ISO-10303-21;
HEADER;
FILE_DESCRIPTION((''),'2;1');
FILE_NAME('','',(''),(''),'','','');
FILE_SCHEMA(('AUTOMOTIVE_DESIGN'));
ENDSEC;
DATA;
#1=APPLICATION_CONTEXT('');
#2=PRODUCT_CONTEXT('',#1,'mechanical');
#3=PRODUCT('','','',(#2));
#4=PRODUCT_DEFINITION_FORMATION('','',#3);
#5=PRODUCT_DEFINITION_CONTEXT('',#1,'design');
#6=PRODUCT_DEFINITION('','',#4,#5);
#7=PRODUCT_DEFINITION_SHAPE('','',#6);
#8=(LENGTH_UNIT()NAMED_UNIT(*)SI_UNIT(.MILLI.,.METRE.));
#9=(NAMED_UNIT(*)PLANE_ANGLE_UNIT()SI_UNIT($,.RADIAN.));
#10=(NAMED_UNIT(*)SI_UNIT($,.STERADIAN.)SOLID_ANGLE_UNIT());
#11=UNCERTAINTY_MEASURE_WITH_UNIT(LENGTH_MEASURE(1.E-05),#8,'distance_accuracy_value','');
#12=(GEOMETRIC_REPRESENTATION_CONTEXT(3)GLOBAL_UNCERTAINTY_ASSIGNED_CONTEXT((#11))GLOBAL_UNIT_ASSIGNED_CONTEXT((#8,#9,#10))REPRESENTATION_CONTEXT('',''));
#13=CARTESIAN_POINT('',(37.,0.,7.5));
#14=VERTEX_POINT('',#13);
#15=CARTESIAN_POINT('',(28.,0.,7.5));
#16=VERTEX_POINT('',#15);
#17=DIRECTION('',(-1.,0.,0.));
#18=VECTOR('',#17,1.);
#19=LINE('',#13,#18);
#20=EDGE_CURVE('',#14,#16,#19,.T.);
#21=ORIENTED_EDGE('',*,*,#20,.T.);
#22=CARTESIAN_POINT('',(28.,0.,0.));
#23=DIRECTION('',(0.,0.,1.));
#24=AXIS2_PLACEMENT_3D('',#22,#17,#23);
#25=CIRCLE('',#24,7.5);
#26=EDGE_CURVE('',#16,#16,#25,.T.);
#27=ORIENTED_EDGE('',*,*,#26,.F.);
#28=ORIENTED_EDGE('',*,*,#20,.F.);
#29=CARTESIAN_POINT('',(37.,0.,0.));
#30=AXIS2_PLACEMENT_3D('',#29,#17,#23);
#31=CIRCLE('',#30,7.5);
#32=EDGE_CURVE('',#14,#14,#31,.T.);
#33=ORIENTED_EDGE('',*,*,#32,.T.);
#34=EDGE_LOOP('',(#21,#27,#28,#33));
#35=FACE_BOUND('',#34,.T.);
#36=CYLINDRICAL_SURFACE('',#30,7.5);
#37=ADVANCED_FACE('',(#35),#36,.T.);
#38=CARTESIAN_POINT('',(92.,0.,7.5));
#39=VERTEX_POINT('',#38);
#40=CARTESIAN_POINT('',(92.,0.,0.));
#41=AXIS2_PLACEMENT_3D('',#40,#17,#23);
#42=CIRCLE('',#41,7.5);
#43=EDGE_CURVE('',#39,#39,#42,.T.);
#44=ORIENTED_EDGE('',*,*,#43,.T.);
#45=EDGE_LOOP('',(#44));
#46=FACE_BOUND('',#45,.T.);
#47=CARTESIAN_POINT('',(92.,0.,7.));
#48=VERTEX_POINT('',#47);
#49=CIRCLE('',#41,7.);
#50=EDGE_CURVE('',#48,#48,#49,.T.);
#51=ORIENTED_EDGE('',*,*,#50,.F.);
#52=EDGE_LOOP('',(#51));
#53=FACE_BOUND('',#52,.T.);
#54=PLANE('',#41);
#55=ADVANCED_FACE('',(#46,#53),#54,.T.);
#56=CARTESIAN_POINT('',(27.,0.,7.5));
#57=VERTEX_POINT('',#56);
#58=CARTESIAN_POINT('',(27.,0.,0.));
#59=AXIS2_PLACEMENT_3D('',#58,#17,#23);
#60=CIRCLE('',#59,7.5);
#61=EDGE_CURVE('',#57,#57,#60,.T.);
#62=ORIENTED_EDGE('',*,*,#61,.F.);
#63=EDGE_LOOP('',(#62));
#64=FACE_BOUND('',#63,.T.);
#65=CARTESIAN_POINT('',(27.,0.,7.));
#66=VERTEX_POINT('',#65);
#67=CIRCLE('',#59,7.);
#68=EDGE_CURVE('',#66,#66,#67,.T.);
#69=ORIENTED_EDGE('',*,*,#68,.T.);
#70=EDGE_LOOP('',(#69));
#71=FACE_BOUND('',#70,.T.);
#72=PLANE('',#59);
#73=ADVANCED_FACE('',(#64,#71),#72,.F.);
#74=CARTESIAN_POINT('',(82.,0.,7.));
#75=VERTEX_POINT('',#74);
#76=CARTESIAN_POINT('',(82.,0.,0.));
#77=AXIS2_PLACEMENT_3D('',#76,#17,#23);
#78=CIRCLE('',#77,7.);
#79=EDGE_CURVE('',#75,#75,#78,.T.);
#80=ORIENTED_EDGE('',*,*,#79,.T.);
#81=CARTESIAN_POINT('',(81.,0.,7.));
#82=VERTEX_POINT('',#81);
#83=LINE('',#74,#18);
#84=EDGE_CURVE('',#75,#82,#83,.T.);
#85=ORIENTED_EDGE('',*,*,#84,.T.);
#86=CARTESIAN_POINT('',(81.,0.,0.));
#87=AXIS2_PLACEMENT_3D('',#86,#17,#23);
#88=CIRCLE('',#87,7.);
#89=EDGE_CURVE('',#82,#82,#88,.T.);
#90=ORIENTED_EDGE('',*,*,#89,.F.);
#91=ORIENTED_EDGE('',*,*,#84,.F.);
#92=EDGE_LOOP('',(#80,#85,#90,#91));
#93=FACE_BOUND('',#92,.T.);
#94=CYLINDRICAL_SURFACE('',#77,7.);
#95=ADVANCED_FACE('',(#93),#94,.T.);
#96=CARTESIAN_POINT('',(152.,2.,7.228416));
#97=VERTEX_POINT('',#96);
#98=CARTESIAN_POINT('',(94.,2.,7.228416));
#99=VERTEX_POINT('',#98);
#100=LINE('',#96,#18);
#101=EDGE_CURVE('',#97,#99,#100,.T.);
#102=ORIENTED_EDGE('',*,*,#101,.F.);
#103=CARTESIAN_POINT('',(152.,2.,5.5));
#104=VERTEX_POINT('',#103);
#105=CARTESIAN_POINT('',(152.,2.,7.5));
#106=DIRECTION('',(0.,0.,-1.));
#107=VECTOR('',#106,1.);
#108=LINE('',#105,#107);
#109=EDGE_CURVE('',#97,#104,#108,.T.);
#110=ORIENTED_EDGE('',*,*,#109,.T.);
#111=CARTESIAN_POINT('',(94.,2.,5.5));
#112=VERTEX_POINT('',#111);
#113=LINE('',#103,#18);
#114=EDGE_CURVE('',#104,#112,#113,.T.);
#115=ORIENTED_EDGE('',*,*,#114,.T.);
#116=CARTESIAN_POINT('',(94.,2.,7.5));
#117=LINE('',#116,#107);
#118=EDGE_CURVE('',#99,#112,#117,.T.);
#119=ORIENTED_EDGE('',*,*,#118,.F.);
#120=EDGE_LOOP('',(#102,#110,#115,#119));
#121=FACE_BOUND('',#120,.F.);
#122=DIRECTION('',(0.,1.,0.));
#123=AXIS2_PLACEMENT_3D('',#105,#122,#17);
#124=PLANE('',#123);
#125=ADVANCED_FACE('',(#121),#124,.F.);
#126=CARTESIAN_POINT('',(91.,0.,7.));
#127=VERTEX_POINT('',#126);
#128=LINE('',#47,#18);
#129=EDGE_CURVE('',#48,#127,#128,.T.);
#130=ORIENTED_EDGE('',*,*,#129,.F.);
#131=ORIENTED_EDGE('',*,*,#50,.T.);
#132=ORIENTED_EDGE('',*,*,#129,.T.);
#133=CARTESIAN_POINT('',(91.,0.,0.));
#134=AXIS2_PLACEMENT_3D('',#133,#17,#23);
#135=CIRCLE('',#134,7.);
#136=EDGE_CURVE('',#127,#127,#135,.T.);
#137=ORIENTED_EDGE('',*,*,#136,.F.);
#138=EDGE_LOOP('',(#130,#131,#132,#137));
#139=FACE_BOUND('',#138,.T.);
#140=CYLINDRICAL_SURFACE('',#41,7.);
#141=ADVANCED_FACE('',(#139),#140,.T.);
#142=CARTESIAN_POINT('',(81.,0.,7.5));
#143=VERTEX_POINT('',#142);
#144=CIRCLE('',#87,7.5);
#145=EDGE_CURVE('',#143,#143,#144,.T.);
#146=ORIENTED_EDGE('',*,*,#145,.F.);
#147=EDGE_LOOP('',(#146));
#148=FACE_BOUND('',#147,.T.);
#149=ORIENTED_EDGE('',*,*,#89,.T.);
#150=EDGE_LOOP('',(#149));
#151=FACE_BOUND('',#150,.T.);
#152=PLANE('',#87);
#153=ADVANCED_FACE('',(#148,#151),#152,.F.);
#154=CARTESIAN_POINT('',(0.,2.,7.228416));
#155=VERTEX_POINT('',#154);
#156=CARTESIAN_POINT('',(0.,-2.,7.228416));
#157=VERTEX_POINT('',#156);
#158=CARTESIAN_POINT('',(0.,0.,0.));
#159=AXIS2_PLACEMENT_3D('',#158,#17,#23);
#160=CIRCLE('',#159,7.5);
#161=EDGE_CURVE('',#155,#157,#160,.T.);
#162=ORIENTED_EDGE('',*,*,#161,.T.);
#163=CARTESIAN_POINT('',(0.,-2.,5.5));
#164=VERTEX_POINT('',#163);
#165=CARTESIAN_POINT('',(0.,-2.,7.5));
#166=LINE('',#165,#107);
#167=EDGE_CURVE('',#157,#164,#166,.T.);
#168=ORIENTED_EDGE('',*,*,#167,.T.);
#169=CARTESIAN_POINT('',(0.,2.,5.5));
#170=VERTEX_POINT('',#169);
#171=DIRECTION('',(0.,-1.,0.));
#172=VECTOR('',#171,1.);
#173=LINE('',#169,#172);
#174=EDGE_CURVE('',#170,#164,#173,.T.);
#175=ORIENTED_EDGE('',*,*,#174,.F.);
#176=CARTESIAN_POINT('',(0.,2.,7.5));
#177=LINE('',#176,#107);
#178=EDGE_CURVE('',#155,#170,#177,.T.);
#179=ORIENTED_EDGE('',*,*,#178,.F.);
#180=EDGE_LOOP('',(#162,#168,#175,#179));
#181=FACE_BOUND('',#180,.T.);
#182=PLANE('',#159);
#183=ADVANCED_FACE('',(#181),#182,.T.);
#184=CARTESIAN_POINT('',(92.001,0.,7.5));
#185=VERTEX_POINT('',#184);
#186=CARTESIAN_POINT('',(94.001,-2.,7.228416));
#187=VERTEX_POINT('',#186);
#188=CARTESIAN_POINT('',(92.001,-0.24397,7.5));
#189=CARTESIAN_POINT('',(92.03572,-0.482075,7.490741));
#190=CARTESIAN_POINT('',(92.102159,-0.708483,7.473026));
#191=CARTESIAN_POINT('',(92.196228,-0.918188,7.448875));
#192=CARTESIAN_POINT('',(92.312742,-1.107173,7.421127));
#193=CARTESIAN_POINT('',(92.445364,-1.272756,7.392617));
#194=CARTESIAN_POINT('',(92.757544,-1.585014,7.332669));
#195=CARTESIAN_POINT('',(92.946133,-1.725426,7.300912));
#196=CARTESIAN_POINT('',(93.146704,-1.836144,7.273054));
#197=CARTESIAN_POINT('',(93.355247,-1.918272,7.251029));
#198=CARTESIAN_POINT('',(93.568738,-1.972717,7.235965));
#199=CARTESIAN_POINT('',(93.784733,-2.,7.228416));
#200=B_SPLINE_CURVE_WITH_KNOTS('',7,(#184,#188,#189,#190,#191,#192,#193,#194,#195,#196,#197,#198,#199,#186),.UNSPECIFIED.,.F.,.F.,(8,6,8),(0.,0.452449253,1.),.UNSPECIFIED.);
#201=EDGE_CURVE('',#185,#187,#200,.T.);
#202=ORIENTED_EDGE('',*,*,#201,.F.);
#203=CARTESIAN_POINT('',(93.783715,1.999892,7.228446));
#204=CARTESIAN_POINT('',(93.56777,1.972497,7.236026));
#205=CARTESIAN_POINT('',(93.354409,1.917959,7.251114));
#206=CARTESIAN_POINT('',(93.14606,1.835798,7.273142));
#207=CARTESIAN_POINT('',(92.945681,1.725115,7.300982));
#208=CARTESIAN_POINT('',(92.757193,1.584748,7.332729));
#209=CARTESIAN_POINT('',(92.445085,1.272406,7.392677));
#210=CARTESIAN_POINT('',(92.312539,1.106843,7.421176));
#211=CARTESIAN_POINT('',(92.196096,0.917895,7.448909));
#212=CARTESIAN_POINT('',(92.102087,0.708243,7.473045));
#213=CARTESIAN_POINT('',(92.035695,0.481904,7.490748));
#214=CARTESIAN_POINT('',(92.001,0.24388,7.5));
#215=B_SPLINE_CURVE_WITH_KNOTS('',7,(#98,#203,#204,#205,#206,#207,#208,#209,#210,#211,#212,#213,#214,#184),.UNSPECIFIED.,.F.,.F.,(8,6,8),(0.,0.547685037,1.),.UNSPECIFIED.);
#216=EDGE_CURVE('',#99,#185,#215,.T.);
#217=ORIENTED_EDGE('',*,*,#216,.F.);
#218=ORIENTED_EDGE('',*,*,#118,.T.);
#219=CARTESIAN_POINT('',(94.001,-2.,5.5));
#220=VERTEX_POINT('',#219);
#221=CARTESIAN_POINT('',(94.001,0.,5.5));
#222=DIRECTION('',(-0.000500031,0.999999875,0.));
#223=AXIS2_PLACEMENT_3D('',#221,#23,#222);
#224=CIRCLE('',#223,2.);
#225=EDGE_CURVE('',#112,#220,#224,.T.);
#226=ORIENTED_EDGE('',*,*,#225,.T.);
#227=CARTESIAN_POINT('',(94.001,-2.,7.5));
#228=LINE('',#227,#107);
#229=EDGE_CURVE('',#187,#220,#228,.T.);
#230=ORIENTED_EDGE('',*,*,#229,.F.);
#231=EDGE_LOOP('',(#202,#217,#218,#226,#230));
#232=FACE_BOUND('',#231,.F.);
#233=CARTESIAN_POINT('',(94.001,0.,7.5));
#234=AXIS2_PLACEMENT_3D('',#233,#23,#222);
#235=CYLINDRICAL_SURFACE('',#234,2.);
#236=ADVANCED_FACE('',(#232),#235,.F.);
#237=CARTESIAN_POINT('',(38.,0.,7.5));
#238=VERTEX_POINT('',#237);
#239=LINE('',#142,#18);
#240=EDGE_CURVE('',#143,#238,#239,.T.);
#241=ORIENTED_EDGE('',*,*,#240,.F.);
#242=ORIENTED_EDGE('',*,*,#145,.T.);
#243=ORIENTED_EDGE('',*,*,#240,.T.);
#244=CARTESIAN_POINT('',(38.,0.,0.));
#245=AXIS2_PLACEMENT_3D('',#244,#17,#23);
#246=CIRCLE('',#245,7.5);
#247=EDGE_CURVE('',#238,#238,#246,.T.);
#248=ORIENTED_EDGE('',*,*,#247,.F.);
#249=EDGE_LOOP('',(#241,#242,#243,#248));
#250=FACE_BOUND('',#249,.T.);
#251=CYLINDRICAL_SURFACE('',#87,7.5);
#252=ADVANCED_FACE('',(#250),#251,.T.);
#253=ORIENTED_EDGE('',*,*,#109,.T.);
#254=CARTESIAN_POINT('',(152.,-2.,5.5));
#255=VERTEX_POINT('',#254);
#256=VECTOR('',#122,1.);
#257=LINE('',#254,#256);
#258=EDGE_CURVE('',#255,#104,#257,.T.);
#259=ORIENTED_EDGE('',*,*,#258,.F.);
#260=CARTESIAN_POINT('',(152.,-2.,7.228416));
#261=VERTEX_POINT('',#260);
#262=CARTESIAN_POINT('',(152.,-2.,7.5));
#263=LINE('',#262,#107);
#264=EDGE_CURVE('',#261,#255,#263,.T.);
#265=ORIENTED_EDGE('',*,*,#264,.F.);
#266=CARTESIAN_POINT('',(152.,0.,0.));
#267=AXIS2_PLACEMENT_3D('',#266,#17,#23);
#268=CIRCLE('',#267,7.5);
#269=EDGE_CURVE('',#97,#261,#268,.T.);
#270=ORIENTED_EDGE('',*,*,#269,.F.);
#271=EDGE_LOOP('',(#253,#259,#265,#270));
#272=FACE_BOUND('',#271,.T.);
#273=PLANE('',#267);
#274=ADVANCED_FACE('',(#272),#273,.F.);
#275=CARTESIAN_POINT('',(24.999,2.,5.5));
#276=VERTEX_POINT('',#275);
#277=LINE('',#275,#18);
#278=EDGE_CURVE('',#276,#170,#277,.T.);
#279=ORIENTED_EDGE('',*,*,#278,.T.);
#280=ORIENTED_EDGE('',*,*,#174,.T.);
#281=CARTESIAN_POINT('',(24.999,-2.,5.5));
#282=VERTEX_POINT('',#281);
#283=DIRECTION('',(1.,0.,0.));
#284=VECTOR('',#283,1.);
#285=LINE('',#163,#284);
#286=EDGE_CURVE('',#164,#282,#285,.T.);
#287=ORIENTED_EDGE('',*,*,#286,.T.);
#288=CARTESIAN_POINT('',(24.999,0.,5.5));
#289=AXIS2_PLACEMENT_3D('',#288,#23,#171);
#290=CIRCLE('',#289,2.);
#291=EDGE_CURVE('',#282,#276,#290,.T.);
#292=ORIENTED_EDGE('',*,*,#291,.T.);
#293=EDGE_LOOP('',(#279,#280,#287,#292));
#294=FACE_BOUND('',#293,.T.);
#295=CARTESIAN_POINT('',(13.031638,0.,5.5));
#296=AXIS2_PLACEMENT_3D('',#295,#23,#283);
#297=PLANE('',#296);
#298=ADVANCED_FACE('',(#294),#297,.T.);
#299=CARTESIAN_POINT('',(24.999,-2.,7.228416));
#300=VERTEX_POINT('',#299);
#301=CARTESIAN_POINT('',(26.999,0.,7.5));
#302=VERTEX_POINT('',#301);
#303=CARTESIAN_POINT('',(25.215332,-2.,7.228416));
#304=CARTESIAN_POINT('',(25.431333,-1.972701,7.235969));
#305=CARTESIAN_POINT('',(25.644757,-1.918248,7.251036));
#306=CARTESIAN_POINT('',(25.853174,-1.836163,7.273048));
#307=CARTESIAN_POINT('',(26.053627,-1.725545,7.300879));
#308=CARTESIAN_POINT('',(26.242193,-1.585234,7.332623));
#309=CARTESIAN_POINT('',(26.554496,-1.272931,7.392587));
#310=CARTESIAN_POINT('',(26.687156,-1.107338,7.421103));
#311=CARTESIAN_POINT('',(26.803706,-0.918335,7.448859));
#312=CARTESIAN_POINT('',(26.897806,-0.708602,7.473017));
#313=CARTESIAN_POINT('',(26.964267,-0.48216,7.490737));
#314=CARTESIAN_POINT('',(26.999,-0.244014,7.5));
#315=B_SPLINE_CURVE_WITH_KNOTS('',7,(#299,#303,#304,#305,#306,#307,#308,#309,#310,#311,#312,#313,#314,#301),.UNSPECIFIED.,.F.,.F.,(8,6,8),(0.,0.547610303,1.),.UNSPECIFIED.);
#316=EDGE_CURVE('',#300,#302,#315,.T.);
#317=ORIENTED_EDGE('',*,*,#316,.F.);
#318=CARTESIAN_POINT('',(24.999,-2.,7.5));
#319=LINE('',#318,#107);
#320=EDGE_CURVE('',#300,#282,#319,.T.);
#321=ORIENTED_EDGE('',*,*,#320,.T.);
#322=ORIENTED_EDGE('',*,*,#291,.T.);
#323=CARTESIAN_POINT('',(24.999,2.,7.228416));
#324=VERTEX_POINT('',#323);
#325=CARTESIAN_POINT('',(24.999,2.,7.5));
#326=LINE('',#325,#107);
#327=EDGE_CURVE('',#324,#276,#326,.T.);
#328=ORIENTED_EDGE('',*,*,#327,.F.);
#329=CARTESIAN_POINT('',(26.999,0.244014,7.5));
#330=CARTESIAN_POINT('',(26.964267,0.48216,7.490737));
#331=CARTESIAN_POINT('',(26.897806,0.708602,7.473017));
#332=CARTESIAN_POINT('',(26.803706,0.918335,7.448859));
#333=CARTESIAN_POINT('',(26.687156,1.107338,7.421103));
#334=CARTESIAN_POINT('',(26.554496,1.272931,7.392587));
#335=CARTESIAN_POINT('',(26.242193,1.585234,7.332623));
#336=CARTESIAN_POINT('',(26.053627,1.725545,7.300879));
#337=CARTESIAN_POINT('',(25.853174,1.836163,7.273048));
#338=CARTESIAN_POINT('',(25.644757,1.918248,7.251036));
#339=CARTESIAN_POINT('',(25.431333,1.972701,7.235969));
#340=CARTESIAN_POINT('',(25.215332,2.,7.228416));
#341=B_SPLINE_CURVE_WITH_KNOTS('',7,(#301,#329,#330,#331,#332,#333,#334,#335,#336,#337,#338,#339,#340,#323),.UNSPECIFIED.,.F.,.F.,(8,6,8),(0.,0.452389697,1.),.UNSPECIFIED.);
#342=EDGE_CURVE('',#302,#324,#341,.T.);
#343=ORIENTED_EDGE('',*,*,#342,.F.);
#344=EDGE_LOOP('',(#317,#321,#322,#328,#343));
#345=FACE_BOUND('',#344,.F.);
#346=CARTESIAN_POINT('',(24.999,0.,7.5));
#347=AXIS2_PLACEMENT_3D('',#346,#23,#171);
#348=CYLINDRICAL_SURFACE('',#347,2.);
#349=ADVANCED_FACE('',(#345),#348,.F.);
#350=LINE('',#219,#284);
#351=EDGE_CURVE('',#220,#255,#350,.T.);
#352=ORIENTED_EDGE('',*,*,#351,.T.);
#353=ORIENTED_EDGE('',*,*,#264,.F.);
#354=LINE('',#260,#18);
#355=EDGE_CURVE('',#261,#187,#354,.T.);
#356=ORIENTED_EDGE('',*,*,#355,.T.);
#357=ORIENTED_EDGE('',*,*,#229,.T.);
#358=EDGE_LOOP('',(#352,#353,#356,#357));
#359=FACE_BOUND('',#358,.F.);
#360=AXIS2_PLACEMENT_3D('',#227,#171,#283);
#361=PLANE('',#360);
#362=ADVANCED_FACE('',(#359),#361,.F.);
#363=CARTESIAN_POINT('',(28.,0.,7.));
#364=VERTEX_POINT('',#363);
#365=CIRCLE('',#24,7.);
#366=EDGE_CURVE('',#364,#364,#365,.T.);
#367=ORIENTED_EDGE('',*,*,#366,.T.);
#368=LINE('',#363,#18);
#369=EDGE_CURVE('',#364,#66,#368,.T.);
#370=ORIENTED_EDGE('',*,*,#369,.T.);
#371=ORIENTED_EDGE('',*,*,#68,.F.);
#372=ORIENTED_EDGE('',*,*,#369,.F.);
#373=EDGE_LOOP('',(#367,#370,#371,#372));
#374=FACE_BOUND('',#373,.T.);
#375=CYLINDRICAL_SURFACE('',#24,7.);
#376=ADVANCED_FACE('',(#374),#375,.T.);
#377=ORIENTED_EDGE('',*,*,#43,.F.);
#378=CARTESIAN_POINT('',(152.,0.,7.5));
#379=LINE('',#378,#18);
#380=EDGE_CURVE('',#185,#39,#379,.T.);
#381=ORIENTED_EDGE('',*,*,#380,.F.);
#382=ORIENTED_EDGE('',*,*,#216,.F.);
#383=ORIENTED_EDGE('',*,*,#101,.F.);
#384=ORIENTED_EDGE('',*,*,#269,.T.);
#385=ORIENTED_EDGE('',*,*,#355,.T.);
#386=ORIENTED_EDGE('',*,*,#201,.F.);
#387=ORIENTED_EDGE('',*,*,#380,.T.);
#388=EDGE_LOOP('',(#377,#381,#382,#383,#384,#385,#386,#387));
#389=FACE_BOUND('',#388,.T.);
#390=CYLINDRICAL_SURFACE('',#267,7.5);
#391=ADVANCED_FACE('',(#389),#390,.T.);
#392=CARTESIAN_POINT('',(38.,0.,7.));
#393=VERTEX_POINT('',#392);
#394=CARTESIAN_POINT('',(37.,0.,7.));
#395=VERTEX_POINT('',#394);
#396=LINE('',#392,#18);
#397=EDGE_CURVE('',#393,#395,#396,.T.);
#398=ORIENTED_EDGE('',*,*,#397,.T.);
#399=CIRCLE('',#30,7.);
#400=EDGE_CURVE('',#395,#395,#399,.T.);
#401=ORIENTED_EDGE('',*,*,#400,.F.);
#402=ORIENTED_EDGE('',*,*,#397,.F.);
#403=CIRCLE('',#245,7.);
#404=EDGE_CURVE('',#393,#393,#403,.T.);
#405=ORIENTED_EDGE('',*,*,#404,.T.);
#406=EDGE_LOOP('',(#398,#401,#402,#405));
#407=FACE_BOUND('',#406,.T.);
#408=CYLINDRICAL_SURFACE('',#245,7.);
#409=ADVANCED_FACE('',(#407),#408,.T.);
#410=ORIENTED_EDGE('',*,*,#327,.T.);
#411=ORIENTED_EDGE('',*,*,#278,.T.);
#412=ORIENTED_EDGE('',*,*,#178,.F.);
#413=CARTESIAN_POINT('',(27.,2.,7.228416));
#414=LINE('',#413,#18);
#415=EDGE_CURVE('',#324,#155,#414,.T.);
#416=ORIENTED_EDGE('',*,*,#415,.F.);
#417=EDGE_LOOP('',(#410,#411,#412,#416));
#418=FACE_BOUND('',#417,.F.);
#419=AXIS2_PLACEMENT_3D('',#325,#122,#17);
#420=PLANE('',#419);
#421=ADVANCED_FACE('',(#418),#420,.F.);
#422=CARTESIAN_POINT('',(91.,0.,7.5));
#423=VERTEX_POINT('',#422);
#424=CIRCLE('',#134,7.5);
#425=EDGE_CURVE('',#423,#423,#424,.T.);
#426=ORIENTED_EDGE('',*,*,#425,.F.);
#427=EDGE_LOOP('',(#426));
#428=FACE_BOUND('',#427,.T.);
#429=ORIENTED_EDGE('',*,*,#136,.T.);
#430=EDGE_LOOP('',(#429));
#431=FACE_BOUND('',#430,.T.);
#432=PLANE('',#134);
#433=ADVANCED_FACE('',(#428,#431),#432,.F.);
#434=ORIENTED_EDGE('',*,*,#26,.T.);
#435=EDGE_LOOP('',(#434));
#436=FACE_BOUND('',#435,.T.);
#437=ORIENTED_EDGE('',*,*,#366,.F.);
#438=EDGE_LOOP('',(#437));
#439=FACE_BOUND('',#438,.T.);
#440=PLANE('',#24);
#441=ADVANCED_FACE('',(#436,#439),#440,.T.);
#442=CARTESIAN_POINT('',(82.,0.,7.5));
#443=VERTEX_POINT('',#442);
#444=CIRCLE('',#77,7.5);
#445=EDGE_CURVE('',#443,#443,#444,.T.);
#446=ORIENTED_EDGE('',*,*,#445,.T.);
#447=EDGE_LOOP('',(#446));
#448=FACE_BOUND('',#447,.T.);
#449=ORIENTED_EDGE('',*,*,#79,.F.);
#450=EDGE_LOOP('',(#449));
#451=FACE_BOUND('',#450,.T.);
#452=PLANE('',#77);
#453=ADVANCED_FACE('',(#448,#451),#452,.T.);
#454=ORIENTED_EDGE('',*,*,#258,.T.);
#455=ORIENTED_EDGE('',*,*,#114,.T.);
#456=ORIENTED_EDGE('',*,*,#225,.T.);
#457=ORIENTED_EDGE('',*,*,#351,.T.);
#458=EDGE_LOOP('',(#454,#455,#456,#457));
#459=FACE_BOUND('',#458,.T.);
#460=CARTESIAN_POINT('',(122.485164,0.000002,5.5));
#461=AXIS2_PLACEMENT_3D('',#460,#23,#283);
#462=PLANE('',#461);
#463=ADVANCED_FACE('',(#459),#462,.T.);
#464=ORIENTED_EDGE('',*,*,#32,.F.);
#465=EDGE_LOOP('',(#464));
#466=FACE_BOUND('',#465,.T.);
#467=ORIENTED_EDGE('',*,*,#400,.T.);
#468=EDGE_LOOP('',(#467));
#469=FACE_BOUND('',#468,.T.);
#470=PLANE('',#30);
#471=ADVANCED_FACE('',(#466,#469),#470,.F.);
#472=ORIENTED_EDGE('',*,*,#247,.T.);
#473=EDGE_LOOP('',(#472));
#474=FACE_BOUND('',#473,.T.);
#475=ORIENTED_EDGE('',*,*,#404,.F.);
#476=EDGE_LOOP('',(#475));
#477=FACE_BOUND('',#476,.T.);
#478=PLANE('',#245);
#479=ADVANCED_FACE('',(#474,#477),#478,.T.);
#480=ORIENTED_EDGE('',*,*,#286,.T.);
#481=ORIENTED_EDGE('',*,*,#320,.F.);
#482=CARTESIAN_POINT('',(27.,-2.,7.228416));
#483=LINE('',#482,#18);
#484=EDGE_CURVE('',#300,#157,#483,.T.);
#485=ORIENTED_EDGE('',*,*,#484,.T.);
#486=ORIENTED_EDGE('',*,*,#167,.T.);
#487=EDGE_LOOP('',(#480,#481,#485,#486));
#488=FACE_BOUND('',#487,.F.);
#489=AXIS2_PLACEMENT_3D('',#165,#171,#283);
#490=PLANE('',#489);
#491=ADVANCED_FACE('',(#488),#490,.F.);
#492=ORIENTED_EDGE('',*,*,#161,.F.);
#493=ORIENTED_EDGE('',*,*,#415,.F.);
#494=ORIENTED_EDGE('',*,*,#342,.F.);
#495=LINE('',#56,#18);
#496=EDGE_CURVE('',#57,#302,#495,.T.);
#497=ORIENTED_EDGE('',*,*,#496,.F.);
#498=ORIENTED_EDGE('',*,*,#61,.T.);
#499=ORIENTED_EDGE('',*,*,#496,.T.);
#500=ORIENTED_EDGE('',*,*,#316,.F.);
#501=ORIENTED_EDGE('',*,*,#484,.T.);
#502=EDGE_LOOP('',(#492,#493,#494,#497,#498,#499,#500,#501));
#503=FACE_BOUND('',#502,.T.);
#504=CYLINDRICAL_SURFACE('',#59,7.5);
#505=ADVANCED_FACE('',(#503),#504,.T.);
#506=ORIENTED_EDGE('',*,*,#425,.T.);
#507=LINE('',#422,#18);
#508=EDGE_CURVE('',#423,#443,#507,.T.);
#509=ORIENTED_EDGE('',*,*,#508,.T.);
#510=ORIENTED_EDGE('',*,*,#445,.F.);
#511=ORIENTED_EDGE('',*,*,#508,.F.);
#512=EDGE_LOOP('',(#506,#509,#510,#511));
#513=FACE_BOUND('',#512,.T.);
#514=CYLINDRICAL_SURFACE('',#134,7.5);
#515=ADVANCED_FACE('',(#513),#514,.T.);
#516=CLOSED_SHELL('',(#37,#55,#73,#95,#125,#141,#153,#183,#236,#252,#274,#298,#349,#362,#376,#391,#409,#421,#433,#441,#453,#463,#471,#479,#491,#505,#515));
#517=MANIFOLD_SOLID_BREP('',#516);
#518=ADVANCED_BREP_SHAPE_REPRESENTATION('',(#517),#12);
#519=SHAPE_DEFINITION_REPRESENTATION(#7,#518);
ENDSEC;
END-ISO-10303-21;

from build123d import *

# Parameters (mm, degrees)
F4_DEPTH = 2


with BuildPart() as f1:
    # F0 (on Front) → F1 (revolve)
    with BuildSketch(Plane.XZ):
        Polygon((0, 7.5), (0, 0), (152, 0), (152, 7.5), (92, 7.5), (92, 7), (91, 7), (91, 7.5), (82, 7.5), (82, 7), (81, 7), (81, 7.5), (38, 7.5), (38, 7), (37, 7), (37, 7.5), (28, 7.5), (28, 7), (27, 7), (27, 7.5), align=None)
    revolve(axis=Axis((76, 0, 0), (-1, 0, 0)))

    # F3 (on offset) → F4 (cut)
    with BuildSketch(Plane.XY.offset(7.5)):
        with BuildLine():
            Line((0, 2), (0, 0))
            Line((0, 0), (0, -2))
            Line((0, -2), (24.999, -2))
            ThreePointArc((24.999, -2), (26.999, 0), (24.999, 2))
            Line((24.999, 2), (0, 2))
        make_face()
        with BuildLine():
            Line((152, -2), (152, 0))
            Line((152, 0), (152, 2))
            Line((152, 2), (94, 2))
            ThreePointArc((94, 2), (92.001, -0.0005), (94.001, -2))
            Line((94.001, -2), (152, -2))
        make_face()
    extrude(amount=-F4_DEPTH, mode=Mode.SUBTRACT)


solid = f1.part
